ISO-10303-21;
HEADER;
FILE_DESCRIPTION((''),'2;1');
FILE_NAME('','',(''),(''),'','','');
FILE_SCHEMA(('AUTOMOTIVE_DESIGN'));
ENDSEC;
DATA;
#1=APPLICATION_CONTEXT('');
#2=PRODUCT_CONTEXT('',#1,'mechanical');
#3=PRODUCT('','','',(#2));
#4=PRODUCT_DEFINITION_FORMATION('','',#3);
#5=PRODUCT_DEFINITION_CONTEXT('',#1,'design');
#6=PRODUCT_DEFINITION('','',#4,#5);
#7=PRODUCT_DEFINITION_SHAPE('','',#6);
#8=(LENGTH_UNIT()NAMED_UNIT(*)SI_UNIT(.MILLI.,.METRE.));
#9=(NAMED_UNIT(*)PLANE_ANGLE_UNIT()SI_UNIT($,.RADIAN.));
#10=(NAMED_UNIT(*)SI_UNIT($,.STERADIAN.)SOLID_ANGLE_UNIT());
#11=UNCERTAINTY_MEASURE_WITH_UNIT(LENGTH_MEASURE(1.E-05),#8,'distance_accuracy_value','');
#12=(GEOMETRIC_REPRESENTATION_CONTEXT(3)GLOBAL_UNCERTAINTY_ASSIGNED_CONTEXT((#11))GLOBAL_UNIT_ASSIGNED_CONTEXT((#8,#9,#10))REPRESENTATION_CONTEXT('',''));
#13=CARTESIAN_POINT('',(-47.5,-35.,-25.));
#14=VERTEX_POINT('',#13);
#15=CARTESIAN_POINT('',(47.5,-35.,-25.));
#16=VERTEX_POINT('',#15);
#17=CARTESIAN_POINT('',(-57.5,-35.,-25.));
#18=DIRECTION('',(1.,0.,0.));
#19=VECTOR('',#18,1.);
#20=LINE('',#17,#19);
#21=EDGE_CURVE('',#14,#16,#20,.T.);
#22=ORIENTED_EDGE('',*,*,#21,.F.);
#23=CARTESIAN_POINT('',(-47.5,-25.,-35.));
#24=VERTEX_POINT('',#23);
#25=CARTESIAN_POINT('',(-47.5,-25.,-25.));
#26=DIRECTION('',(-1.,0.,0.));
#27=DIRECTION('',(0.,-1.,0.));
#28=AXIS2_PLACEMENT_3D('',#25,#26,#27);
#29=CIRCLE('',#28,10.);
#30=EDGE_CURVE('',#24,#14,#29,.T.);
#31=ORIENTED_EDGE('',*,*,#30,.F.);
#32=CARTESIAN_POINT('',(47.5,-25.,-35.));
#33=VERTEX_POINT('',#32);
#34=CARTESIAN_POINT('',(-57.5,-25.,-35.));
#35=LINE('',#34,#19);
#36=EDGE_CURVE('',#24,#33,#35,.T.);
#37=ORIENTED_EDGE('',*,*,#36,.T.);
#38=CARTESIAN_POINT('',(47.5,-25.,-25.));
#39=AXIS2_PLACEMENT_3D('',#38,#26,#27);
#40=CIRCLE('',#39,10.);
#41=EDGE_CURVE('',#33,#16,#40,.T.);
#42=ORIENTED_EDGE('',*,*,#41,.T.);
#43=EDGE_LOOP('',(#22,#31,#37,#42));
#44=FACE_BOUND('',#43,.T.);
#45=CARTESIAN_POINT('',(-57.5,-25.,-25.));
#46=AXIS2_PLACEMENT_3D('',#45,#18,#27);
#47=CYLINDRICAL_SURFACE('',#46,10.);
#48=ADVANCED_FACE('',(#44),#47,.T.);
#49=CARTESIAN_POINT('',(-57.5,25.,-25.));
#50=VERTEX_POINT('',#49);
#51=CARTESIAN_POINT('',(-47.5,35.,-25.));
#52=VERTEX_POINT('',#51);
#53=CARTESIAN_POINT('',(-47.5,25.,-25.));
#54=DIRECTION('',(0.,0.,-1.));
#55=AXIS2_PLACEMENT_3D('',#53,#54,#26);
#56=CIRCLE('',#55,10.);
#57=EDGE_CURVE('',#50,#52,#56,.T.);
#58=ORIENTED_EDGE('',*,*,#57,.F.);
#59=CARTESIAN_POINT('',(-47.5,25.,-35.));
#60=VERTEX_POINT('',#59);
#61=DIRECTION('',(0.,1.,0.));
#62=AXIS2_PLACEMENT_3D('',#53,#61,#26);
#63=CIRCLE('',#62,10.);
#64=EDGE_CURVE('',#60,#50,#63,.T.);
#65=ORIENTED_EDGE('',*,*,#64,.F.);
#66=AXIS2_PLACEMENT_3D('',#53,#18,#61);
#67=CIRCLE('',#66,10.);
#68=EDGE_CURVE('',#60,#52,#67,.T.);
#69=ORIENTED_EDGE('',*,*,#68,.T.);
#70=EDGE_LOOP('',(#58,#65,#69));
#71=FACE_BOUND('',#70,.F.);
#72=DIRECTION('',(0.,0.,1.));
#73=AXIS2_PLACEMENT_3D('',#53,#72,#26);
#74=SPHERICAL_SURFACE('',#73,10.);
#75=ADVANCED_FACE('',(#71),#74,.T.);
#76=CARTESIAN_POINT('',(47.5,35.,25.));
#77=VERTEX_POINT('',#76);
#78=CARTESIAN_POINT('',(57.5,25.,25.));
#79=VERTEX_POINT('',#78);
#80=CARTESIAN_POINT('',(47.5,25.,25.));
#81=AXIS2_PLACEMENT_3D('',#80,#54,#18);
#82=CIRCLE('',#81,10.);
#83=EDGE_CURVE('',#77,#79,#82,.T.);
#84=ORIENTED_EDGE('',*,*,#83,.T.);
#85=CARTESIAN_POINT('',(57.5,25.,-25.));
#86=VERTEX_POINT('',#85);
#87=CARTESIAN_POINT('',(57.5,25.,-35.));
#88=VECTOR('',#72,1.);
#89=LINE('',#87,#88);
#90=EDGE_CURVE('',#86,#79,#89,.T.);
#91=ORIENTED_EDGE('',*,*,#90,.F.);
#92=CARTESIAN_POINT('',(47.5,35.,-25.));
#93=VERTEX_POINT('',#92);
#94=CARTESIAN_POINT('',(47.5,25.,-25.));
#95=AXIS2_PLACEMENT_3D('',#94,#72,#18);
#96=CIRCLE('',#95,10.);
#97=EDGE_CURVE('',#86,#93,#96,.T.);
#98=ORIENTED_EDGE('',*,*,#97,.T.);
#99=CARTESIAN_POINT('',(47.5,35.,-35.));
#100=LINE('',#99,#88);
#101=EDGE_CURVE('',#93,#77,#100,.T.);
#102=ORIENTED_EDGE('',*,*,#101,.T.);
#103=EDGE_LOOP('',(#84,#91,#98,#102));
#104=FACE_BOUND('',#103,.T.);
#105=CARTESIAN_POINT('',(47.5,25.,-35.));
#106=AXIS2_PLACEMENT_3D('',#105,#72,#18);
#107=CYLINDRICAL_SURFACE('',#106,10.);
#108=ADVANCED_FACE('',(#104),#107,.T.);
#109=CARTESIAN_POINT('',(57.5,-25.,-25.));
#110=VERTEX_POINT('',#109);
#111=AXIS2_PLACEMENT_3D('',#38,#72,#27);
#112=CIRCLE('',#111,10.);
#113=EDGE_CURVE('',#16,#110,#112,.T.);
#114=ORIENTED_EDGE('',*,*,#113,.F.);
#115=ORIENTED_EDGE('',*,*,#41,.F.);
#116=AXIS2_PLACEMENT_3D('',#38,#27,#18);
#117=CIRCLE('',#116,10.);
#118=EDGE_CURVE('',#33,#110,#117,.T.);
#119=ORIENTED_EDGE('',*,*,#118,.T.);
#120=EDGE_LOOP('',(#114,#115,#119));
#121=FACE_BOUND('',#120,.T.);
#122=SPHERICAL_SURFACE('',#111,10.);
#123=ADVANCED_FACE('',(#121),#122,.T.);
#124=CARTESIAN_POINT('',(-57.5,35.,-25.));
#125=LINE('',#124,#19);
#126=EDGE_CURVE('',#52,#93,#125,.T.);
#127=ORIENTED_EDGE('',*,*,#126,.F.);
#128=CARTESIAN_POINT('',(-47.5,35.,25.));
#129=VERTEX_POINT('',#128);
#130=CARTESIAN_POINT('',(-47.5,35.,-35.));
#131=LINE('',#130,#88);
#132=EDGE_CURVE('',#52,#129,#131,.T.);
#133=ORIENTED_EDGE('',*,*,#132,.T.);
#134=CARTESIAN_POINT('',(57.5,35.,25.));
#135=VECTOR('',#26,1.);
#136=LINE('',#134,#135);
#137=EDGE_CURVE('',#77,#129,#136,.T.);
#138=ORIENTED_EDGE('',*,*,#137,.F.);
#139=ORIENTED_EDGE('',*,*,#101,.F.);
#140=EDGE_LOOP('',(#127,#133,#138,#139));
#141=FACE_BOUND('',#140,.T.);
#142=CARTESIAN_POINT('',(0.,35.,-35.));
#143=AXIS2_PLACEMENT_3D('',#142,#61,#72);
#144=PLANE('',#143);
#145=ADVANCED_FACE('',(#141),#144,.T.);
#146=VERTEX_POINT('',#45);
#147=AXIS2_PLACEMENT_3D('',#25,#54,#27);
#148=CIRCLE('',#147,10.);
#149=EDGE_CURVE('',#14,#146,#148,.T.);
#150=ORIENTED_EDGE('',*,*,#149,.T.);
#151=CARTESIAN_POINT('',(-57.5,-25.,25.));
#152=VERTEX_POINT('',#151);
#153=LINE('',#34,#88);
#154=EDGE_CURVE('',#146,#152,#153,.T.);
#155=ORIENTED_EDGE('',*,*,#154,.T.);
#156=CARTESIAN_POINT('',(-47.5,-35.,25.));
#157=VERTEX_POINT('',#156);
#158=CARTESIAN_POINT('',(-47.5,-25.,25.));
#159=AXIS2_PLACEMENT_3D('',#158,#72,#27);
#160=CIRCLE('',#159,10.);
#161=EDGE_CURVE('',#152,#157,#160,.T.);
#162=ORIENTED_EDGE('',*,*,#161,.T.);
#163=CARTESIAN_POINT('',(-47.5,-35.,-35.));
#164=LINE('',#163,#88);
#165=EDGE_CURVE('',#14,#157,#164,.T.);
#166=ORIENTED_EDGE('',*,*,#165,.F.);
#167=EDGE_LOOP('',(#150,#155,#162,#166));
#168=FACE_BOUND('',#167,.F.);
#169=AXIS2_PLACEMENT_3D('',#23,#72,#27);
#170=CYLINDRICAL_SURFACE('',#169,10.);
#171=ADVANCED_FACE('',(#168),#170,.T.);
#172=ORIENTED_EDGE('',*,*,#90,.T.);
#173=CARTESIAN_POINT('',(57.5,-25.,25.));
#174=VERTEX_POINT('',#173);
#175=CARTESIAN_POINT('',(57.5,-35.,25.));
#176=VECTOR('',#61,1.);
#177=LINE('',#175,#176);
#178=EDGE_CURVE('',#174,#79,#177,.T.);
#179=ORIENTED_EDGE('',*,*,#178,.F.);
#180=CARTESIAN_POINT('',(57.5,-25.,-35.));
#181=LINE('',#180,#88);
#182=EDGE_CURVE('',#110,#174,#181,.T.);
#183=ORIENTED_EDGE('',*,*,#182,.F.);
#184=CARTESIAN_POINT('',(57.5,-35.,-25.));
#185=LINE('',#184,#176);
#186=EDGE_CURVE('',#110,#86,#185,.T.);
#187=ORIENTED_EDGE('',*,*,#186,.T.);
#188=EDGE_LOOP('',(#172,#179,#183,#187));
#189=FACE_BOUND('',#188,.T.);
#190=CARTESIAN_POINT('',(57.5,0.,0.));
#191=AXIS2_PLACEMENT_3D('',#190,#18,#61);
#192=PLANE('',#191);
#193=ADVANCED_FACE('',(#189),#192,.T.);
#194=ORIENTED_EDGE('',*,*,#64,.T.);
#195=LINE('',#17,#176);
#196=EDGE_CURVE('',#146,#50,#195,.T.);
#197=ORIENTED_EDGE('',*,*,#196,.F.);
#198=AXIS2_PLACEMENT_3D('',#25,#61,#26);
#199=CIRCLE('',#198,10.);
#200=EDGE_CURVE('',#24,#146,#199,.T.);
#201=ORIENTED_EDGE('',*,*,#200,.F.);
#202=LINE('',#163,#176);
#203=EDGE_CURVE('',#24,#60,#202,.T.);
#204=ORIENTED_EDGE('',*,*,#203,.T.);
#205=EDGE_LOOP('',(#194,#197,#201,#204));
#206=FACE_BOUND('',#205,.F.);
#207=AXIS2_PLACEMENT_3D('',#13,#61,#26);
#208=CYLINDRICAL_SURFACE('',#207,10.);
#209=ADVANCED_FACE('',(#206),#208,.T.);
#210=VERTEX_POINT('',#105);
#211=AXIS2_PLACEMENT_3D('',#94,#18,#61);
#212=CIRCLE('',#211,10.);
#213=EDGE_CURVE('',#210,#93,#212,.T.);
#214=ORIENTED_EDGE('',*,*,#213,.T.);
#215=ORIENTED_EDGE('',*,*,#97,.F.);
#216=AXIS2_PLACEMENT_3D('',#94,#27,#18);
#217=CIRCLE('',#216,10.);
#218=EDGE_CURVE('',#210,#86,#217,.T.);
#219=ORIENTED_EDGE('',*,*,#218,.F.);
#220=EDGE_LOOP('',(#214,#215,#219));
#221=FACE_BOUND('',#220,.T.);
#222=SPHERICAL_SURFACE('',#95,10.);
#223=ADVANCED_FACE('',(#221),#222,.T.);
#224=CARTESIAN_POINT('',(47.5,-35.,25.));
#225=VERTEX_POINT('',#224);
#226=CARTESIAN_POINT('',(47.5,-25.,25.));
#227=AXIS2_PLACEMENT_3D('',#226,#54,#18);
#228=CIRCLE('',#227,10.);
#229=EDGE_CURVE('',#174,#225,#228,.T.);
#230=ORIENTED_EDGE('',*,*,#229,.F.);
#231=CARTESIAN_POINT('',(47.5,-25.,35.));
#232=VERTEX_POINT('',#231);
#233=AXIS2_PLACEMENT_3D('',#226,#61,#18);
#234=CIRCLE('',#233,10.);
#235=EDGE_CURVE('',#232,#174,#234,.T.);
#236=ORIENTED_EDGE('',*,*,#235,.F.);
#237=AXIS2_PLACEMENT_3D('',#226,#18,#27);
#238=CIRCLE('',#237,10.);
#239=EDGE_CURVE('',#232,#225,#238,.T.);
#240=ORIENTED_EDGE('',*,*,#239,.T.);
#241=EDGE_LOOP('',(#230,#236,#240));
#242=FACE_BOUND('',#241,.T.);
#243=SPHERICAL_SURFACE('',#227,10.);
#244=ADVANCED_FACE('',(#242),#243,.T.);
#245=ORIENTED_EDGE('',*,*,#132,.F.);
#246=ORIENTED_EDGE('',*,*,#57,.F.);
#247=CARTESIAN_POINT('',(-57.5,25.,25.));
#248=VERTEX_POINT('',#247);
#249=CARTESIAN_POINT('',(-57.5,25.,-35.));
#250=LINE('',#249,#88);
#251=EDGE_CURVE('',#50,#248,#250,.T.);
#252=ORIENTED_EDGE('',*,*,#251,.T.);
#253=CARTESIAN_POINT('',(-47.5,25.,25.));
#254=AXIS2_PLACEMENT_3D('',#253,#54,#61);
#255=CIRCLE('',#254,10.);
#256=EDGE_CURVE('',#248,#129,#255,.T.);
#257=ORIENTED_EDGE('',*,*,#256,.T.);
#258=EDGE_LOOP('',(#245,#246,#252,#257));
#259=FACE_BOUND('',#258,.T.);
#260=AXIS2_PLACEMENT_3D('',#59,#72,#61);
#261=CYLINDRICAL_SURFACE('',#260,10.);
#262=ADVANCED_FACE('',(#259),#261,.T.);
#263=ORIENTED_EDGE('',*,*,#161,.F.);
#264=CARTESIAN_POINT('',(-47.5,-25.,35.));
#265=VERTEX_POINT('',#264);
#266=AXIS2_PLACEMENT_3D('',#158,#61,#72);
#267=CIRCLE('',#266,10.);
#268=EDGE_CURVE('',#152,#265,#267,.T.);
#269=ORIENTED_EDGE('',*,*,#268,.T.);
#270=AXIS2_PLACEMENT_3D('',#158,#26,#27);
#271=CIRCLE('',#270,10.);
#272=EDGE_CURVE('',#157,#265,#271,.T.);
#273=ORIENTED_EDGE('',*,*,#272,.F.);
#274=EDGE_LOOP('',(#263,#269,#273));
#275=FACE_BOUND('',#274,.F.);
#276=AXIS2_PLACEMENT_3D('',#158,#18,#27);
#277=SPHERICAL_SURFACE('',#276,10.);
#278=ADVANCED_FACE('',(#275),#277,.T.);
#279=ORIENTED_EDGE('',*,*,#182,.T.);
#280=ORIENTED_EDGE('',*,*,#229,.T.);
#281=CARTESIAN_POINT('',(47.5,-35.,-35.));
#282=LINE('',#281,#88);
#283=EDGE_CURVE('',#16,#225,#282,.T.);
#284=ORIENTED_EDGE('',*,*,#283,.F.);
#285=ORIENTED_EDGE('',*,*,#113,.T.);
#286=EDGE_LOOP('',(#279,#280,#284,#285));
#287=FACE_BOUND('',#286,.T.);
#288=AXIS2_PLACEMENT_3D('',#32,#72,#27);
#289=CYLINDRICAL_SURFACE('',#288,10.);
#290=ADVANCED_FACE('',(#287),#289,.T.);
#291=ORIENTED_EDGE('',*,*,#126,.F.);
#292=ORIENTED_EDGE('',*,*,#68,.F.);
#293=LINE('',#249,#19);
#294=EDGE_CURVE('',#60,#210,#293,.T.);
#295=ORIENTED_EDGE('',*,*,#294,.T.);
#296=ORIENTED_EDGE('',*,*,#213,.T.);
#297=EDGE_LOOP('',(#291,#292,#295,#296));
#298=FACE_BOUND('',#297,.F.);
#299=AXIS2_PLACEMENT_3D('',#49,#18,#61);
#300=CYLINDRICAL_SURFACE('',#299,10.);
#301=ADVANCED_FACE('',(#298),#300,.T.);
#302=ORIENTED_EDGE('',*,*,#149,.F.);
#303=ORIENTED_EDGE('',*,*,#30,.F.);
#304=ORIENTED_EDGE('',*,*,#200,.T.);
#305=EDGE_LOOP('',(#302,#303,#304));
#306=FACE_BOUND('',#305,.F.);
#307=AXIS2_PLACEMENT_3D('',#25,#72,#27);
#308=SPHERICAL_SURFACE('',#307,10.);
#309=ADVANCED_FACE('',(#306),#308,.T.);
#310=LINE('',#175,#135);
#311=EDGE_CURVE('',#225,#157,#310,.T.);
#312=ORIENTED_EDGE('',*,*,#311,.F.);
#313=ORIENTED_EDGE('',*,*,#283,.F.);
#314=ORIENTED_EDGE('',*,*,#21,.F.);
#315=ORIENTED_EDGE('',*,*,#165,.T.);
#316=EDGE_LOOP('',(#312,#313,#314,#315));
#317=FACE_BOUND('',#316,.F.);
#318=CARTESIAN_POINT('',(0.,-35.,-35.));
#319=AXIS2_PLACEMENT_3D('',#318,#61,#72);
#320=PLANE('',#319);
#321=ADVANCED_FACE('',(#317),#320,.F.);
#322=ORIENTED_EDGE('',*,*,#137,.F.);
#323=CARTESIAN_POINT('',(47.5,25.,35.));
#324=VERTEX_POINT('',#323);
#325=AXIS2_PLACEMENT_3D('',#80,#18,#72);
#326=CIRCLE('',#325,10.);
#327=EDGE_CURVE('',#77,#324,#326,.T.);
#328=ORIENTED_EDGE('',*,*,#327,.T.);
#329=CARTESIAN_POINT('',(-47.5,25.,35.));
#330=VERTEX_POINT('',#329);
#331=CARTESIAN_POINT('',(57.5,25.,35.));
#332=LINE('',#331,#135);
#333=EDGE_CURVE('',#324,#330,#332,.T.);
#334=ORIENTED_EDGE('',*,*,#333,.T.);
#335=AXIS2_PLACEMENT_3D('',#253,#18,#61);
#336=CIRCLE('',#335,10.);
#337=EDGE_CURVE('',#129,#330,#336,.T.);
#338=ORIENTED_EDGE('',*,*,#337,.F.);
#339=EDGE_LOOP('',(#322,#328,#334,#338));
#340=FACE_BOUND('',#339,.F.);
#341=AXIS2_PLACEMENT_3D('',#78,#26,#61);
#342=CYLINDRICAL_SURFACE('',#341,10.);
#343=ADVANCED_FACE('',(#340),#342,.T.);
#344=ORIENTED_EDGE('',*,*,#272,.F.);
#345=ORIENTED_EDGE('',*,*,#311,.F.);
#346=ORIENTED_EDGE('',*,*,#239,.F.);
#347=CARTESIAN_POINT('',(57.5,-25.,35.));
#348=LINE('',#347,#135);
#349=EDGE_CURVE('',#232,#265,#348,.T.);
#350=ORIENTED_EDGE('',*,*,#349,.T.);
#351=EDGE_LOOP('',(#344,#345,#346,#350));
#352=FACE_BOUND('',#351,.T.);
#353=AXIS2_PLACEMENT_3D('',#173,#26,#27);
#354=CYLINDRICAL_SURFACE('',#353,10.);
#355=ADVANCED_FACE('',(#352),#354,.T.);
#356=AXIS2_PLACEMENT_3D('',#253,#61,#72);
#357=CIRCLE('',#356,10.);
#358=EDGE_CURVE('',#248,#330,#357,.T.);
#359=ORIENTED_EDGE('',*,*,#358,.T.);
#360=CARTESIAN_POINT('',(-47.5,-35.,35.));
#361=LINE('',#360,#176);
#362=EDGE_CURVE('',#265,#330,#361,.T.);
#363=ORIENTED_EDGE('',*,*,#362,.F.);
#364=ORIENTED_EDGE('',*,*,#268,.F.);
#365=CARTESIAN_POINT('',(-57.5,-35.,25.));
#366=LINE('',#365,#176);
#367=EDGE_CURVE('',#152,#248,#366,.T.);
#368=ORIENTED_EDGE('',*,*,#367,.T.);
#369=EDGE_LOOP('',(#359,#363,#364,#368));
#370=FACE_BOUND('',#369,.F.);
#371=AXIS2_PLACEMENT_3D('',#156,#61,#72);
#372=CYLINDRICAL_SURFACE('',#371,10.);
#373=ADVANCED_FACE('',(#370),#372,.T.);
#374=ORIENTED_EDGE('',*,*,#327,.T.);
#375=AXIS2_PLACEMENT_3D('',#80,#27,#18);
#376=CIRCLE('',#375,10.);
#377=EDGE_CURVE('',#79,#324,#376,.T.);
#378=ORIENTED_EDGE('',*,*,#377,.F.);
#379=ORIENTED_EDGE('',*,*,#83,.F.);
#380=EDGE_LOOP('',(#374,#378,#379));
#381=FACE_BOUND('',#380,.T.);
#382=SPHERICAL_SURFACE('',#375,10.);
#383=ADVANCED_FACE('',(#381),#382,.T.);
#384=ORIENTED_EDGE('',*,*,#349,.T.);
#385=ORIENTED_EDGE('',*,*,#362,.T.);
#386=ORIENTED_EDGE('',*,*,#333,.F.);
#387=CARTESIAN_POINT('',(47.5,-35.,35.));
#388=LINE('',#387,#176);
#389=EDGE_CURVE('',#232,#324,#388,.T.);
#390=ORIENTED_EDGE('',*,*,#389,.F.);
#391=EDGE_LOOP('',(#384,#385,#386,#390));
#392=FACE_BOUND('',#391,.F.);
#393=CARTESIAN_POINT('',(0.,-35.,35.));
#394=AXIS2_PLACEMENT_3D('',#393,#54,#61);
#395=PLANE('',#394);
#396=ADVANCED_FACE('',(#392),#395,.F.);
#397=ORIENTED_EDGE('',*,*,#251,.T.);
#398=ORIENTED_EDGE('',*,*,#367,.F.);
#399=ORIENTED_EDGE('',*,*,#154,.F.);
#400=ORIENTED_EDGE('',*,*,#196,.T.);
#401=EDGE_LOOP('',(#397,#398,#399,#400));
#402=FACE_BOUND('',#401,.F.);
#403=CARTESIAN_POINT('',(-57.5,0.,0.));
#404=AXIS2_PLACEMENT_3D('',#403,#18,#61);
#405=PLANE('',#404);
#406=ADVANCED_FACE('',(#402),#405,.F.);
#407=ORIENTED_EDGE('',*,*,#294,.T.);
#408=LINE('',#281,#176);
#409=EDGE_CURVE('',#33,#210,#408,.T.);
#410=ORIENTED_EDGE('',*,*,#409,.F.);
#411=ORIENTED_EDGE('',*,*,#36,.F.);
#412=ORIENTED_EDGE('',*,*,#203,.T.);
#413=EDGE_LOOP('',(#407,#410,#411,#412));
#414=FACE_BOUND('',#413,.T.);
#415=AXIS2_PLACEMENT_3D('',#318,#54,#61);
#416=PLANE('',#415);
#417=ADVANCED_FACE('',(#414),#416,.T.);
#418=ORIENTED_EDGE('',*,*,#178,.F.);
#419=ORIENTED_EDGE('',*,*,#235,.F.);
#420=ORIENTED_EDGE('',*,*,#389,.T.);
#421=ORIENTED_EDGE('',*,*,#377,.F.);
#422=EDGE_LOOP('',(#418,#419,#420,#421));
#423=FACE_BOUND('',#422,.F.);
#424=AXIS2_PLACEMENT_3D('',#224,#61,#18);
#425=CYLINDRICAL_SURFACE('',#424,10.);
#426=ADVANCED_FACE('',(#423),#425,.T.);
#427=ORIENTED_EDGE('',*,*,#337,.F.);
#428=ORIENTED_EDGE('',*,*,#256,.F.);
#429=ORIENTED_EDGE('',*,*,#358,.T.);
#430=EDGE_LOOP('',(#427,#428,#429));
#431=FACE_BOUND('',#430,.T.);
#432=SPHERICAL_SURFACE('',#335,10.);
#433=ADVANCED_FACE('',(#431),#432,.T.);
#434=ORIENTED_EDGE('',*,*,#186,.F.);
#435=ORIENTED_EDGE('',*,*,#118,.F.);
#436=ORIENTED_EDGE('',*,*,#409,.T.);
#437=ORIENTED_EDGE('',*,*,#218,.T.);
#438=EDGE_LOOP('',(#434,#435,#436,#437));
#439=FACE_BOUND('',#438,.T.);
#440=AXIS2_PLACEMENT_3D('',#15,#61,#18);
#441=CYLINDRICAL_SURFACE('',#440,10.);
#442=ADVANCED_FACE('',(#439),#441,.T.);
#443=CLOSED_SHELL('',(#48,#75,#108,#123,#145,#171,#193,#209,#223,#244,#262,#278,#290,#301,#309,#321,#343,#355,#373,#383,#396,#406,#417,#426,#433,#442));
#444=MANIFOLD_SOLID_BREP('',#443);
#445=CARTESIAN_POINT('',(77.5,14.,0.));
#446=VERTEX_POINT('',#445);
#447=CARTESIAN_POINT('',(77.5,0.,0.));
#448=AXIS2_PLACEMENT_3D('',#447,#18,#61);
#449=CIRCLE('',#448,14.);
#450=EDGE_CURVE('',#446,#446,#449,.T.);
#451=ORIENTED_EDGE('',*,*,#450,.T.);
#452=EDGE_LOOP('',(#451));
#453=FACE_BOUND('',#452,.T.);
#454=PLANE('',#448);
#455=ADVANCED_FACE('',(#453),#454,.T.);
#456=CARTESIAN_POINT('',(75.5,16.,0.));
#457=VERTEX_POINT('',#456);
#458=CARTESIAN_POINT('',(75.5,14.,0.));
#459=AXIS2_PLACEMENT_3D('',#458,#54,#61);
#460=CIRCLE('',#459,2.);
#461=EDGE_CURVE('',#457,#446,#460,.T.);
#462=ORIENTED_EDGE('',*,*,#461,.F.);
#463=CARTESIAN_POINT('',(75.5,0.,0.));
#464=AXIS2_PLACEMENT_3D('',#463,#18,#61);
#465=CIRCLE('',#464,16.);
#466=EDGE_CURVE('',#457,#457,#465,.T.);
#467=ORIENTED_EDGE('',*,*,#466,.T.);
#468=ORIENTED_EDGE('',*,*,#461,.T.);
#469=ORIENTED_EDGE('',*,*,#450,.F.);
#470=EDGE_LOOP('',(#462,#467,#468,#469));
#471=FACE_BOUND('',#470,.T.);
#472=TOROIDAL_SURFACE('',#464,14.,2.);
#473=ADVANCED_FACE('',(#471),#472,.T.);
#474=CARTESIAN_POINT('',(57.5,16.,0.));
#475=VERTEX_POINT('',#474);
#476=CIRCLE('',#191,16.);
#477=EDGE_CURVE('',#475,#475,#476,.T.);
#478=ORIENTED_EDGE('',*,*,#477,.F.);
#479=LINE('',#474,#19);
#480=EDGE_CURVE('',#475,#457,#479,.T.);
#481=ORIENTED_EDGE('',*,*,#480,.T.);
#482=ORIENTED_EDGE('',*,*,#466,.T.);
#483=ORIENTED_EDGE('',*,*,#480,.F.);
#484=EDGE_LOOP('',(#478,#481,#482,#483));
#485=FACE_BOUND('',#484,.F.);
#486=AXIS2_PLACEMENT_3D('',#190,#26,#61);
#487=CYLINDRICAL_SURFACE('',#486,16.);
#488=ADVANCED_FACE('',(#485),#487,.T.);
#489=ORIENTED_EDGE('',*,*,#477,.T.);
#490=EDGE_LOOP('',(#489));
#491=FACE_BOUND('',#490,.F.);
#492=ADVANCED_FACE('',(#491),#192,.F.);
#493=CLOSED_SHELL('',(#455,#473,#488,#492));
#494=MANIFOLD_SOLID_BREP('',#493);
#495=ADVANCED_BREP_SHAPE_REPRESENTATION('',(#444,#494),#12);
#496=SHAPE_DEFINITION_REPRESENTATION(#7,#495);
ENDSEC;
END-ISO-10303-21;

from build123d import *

# Parameters (mm, degrees)
F0_W     = 70
F0_H     = 70
F1_DEPTH = 57.5
F2_R     = 10
F3_R     = 16
F4_DEPTH = 20
F6_R     = 2


with BuildPart() as f1:
    # F0 (on Right) → F1 (new body, symmetric)
    with BuildSketch(Plane.YZ):
        Rectangle(F0_W, F0_H)
    extrude(amount=F1_DEPTH, both=True)

    # F2
    f2_edges = [f1.edges().sort_by_distance(p)[0] for p in [
        (57.5, -35, 0),
        (57.5, 0, 35),
        (0, -35, 35),
        (57.5, 35, 0),
        (0, 35, 35),
        (-57.5, 35, 0),
        (-57.5, -35, 0),
        (0, -35, -35),
        (57.5, 0, -35),
        (-57.5, 0, -35),
        (-57.5, 0, 35),
        (0, 35, -35),
    ]]
    fillet(f2_edges, radius=F2_R)


with BuildPart() as f4:
    # F3 (on Right) → F4 (new body)
    with BuildSketch(Plane.YZ):
        Circle(F3_R)
    extrude(amount=F4_DEPTH)


with BuildPart() as f4_1:
    # F5: moved
    add(f4.part.moved(Location((57.5, 0, 0))))

    # F6
    f6_edges = [f4_1.edges().sort_by_distance(p)[0] for p in [
        (77.5, -16, 0),
    ]]
    fillet(f6_edges, radius=F6_R)


solid = Compound([f1.part, f4_1.part])
